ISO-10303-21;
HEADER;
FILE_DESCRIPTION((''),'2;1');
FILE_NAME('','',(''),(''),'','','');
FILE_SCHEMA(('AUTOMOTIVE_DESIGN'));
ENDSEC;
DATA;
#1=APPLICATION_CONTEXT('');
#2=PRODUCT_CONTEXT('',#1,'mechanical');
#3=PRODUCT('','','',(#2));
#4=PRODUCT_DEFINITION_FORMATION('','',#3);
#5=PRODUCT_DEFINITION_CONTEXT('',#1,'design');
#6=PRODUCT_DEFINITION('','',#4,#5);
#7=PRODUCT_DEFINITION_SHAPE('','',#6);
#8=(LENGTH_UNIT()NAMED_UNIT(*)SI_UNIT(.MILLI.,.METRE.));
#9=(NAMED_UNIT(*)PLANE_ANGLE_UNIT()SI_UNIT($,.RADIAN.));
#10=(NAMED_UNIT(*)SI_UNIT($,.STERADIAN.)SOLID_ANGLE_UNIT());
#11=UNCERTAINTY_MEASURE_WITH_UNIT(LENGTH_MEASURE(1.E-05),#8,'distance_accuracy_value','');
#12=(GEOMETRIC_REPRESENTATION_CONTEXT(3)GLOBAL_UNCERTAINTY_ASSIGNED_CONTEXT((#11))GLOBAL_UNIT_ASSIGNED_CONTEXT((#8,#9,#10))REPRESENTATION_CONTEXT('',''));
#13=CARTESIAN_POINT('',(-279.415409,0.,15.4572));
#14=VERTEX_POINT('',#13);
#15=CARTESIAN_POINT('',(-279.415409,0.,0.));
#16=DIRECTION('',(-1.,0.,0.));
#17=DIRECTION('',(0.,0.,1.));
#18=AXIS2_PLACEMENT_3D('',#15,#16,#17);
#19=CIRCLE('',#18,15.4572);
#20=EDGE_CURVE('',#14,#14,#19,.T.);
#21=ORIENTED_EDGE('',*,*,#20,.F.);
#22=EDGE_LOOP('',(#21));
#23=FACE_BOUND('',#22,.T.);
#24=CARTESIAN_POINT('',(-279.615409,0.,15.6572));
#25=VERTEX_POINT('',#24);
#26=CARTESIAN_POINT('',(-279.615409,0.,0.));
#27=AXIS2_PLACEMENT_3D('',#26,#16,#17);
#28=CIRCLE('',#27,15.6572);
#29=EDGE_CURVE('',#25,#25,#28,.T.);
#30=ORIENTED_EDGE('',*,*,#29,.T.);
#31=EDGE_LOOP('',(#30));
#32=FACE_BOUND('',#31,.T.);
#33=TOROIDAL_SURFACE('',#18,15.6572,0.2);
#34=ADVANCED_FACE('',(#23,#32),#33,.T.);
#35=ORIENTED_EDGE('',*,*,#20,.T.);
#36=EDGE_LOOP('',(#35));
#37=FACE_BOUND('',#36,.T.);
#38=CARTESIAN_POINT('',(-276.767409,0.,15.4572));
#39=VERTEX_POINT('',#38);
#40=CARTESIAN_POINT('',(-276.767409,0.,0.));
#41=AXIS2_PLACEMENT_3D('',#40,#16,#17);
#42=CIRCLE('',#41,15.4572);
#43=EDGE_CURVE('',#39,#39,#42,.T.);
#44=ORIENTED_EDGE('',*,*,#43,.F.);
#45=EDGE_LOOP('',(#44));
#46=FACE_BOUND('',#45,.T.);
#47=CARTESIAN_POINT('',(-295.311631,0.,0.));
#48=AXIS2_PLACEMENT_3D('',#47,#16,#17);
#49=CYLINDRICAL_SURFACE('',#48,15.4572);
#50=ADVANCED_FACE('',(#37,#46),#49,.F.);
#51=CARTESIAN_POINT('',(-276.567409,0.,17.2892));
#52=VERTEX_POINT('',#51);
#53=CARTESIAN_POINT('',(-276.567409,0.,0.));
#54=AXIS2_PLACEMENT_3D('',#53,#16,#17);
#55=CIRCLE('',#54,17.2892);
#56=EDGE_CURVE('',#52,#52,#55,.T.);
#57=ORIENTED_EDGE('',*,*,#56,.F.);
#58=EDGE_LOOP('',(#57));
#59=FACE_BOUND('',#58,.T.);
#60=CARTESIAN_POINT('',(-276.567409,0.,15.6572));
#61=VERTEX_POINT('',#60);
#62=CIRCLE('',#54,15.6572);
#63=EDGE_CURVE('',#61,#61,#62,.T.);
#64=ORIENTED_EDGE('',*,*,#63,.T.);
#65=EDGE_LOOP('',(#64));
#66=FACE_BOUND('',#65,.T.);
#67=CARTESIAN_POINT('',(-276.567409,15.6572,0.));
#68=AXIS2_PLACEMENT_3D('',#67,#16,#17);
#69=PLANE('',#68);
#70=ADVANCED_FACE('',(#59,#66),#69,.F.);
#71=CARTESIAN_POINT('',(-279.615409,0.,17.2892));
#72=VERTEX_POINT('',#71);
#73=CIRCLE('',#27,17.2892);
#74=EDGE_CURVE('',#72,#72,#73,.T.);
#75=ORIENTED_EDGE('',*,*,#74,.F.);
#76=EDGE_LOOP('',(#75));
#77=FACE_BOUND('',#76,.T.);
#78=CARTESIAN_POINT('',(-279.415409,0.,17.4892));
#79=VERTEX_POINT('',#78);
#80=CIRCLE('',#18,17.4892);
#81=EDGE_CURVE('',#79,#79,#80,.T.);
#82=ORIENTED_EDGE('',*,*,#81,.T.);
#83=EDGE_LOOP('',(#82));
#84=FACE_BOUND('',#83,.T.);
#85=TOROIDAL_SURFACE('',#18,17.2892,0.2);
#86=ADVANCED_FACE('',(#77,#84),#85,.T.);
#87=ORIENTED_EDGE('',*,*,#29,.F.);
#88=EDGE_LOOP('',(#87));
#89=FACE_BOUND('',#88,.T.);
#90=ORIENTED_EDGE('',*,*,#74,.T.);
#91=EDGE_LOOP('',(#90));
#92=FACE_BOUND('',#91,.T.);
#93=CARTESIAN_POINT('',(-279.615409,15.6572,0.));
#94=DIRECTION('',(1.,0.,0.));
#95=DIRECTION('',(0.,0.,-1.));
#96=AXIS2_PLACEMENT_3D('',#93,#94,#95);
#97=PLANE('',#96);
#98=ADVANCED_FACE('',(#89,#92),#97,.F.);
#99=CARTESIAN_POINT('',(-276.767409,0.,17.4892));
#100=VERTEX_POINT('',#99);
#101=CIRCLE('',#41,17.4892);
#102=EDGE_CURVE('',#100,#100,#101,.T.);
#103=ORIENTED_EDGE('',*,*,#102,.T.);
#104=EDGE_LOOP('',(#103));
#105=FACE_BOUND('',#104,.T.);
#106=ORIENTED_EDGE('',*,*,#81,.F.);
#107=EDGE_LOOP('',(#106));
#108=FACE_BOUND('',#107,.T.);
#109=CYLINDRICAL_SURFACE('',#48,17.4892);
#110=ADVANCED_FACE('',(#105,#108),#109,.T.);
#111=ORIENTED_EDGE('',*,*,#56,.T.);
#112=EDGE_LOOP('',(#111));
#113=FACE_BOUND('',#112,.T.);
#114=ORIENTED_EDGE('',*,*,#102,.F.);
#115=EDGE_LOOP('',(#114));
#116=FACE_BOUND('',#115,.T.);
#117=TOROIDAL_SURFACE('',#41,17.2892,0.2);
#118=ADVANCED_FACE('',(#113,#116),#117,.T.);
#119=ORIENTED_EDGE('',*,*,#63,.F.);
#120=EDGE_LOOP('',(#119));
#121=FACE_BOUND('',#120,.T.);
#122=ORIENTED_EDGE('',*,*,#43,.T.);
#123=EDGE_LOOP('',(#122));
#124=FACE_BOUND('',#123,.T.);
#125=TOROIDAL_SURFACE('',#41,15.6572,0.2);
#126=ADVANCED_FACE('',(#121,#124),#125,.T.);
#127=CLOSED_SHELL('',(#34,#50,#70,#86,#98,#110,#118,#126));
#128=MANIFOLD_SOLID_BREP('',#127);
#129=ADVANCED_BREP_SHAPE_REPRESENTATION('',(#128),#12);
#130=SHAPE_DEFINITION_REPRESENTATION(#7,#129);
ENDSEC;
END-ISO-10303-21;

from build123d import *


with BuildPart() as part:
    # Sketch2 → Revolve1 (revolve)
    with BuildSketch(Plane.XY):
        with BuildLine():
            Line((-279.415408807, 15.4572), (-276.767408807, 15.4572))
            ThreePointArc((-276.767408807, 15.4572), (-276.625987451, 15.515778644), (-276.567408807, 15.6572))
            Line((-276.567408807, 15.6572), (-276.567408807, 17.2892))
            ThreePointArc((-276.567408807, 17.2892), (-276.625987451, 17.430621356), (-276.767408807, 17.4892))
            Line((-276.767408807, 17.4892), (-279.415408807, 17.4892))
            ThreePointArc((-279.415408807, 17.4892), (-279.556830163, 17.430621356), (-279.615408807, 17.2892))
            Line((-279.615408807, 17.2892), (-279.615408807, 15.6572))
            ThreePointArc((-279.615408807, 15.6572), (-279.556830163, 15.515778644), (-279.415408807, 15.4572))
        make_face()
    revolve(axis=Axis((-295.311631148, 0, 0), (1, 0, 0)))


solid = part.part
